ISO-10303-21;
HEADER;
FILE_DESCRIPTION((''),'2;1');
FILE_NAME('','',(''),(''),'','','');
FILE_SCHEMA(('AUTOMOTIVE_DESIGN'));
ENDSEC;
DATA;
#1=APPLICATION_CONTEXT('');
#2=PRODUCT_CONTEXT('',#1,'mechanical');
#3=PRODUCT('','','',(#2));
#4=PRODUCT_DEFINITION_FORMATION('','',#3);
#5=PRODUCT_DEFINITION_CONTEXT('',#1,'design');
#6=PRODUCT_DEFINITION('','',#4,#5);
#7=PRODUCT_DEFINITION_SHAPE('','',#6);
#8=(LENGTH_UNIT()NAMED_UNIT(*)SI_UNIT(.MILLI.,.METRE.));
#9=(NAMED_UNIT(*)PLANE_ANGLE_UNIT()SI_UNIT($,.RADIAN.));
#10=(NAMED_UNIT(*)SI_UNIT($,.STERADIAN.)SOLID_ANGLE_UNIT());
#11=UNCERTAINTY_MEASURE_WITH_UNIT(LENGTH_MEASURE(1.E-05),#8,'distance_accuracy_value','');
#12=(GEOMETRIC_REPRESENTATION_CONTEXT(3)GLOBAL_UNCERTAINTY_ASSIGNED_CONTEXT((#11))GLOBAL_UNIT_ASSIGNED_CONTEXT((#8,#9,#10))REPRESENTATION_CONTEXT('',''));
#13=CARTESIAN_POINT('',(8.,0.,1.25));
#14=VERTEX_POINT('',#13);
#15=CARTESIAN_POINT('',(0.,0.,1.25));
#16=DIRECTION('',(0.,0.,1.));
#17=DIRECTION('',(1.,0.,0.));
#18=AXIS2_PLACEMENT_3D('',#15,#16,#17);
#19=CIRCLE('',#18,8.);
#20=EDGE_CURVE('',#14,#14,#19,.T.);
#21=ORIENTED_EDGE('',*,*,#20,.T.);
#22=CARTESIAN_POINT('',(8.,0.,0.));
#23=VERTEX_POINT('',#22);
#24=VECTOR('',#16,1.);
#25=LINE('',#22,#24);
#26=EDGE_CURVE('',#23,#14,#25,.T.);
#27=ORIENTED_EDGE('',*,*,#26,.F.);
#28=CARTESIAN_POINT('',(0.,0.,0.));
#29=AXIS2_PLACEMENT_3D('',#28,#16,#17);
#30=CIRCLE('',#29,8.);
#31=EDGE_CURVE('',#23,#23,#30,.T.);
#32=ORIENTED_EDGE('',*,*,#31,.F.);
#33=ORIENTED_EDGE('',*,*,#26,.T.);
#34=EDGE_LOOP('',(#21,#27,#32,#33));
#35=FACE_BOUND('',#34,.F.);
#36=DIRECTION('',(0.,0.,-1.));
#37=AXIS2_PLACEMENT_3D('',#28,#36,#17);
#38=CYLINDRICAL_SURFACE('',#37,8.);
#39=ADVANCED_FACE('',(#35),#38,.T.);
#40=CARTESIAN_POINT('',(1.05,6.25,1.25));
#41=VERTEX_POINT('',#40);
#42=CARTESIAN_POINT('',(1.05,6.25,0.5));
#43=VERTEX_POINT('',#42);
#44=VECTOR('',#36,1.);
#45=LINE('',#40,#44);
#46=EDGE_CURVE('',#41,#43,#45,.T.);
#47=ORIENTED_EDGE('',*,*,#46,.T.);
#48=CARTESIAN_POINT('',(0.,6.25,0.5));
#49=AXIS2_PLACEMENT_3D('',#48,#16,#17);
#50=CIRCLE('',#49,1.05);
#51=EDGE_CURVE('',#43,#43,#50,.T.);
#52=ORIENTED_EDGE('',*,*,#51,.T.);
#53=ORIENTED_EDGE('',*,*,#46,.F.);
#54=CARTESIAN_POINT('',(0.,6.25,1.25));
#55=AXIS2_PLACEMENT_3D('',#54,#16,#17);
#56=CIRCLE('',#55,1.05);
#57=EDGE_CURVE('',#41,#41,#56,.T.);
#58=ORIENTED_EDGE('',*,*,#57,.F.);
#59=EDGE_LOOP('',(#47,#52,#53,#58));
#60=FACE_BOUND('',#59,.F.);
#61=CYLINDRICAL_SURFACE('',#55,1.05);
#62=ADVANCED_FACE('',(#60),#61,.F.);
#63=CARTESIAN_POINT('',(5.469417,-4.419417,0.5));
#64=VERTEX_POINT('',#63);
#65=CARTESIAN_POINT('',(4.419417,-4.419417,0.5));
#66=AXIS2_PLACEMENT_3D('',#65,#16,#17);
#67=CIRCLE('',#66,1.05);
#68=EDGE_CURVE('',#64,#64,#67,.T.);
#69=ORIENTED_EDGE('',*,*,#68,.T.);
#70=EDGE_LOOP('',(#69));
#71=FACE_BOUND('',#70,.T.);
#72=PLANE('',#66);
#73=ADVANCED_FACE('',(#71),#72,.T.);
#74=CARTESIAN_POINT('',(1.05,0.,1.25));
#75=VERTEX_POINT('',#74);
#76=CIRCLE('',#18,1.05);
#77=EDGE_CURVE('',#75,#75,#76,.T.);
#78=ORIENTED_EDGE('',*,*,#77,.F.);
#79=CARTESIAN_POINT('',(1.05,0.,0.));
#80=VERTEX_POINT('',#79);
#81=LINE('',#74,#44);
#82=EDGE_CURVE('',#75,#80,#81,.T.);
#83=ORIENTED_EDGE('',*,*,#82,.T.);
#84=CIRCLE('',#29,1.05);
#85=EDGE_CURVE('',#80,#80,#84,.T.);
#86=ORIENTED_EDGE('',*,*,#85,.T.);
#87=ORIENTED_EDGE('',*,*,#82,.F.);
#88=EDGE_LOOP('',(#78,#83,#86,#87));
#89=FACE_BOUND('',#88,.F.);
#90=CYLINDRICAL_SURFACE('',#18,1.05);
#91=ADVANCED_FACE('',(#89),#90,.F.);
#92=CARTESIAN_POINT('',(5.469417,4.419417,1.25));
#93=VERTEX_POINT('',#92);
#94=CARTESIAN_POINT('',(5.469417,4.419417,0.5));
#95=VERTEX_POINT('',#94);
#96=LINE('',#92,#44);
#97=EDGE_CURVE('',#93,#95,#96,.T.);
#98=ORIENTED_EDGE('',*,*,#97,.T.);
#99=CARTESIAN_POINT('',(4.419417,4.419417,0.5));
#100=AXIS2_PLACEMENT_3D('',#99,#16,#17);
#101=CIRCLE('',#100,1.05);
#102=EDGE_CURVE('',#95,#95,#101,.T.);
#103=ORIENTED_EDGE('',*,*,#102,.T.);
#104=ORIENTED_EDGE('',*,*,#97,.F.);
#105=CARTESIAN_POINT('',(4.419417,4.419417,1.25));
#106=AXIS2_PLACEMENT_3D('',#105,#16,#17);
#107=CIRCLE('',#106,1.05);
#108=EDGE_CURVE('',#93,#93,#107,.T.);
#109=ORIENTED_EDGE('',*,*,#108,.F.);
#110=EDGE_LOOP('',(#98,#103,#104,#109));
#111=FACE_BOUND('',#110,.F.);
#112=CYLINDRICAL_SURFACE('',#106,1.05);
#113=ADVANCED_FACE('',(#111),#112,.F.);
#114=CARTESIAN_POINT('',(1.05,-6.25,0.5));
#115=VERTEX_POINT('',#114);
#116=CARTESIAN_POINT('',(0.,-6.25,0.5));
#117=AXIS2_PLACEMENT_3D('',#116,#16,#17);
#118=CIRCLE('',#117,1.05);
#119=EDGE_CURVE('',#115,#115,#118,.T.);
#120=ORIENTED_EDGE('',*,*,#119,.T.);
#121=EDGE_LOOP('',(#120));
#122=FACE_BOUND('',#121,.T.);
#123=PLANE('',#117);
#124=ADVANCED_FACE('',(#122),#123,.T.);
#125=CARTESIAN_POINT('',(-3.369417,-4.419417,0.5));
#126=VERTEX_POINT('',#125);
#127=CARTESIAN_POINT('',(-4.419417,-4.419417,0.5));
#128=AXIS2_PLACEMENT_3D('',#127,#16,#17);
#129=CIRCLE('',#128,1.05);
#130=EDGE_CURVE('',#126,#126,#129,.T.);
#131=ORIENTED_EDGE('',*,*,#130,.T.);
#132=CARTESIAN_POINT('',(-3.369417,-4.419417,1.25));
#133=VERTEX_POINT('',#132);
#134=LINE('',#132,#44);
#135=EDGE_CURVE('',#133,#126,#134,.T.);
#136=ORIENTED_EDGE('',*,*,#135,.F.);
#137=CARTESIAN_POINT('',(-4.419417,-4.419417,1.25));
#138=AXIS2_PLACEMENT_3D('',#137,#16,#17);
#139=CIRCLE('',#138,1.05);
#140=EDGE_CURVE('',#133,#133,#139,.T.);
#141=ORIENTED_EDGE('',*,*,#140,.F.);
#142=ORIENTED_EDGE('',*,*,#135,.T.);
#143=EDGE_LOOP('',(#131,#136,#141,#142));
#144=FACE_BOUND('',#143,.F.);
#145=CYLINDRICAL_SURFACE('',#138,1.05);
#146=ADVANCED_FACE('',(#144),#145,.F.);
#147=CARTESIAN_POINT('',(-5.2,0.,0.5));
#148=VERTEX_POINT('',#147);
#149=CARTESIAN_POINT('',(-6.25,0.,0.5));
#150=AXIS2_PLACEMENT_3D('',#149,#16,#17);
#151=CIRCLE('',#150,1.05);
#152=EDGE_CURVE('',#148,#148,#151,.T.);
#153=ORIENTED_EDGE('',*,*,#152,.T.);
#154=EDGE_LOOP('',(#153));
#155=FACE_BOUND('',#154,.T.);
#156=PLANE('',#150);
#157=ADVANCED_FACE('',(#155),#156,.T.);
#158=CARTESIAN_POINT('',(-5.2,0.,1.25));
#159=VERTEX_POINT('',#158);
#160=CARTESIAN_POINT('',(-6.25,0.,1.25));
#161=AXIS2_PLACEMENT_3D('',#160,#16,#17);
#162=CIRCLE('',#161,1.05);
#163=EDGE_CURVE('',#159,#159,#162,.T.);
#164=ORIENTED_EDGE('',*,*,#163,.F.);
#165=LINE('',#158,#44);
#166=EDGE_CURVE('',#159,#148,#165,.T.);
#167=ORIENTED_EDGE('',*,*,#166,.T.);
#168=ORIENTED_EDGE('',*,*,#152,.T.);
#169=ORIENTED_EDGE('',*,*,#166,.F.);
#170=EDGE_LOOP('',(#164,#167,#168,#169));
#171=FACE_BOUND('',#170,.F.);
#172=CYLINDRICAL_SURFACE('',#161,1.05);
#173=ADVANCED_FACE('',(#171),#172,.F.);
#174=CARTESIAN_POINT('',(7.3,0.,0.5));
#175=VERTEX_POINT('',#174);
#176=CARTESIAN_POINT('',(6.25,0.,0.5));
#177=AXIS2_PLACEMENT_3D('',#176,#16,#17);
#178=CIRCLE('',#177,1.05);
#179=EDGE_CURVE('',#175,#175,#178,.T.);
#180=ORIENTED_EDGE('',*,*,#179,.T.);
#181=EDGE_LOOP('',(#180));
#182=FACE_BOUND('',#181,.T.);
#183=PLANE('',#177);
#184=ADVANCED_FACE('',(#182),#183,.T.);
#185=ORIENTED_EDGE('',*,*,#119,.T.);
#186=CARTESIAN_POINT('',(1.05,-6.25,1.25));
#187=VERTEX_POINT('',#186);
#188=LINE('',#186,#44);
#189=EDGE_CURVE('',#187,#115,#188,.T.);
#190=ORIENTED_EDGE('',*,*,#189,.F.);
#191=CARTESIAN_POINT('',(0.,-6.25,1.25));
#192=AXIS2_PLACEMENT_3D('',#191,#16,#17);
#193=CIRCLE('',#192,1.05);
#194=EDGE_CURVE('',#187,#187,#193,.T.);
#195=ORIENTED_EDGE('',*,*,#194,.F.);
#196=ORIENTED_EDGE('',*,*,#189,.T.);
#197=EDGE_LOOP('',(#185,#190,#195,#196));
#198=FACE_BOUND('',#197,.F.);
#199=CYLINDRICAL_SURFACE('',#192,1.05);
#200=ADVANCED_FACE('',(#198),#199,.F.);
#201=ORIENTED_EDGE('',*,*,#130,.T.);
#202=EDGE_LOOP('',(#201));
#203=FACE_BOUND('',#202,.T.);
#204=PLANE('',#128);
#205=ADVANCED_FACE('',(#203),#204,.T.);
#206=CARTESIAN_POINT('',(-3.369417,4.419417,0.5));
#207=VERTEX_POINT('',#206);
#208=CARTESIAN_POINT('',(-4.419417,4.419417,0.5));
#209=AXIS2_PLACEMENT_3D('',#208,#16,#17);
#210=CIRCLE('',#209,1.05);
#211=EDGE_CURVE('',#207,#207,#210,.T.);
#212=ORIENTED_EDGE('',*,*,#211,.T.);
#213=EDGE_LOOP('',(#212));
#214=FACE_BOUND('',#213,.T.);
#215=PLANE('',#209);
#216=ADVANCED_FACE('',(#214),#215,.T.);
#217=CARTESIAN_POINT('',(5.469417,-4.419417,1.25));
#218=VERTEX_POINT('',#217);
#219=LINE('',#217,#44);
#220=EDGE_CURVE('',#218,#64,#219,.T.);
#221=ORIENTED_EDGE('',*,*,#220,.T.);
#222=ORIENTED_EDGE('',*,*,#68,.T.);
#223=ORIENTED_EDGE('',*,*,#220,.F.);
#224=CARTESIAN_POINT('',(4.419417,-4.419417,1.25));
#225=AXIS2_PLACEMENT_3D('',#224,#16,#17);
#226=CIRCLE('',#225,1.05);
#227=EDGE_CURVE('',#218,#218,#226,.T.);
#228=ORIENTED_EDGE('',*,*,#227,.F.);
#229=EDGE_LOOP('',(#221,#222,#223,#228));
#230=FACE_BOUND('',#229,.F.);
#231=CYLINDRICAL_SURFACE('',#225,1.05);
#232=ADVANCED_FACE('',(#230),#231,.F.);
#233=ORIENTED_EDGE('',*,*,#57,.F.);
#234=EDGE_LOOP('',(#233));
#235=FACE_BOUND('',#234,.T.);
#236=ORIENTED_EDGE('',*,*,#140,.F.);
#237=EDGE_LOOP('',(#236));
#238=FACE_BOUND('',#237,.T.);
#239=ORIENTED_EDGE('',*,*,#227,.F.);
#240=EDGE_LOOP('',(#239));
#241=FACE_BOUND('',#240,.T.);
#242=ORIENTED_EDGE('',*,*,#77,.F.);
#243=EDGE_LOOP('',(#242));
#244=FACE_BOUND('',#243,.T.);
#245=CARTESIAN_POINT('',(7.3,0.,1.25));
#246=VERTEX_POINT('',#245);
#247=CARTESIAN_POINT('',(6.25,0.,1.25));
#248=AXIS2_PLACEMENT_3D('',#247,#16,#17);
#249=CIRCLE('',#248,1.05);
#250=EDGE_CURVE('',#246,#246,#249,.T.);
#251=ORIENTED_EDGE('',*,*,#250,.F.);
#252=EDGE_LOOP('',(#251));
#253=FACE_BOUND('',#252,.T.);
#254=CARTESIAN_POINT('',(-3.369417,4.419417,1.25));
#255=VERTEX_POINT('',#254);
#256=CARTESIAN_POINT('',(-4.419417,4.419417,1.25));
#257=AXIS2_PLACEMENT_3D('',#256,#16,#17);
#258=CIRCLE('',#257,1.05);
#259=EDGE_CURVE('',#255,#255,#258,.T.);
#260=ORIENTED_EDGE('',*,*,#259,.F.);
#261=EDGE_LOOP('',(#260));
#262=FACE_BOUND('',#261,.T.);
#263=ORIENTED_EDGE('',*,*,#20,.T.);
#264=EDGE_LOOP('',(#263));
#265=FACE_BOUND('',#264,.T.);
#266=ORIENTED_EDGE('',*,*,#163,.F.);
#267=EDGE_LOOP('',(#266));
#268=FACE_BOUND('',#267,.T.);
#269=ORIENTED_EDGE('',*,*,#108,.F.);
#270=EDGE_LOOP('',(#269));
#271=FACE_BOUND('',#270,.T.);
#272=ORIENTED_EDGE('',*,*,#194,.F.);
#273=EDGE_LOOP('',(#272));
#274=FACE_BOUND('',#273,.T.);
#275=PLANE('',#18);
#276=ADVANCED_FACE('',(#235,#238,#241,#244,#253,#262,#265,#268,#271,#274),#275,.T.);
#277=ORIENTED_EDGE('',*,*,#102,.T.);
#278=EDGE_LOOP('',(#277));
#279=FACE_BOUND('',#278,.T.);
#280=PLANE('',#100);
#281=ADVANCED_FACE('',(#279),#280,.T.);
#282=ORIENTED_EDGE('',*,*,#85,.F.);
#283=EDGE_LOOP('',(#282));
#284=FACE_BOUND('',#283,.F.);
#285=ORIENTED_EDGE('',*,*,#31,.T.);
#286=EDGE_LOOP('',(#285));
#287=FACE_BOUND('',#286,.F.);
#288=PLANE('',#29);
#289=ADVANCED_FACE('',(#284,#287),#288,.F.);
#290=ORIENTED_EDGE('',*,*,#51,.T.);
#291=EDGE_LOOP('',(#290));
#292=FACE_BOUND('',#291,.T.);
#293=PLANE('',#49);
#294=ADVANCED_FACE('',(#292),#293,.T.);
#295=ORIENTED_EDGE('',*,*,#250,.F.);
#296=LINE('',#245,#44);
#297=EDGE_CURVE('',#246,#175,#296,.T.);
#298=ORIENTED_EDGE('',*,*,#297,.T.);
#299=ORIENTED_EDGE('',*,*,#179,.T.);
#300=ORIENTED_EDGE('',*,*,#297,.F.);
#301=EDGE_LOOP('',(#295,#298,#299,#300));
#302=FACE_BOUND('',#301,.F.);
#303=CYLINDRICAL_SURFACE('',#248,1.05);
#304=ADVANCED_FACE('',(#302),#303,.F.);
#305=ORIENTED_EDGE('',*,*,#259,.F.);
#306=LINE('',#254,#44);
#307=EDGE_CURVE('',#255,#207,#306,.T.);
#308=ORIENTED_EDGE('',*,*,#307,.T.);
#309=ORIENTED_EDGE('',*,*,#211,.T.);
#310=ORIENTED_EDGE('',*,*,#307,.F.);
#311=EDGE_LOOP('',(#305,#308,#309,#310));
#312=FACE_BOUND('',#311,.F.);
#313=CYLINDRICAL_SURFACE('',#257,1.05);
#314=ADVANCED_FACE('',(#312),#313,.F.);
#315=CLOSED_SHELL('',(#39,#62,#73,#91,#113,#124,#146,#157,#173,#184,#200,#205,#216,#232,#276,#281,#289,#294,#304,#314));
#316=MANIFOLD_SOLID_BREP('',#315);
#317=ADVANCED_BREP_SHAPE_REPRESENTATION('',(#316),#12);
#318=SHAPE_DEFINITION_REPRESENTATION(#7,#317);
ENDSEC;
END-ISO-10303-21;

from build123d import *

# Parameters (mm, degrees)
F0_R     = 8
F1_DEPTH = 1.25
F2_R     = 1.05
F3_DEPTH = 25
F4_R     = 1.05
F5_DEPTH = 0.75


with BuildPart() as f1:
    # F0 (on Top) → F1 (new body)
    with BuildSketch(Plane.XY):
        Circle(F0_R)
    extrude(amount=F1_DEPTH)

    # F2 (on face) → F3 (cut)
    with BuildSketch(Plane.XY.offset(1.25)):
        Circle(F2_R)
    extrude(amount=-F3_DEPTH, mode=Mode.SUBTRACT)

    # F4 (on face) → F5 (cut)
    with BuildSketch(Plane.XY.offset(1.25)):
        with Locations((0, 6.25)):
            Circle(F4_R)
        with Locations((-4.419417, 4.419417)):
            Circle(F4_R)
        with Locations((-6.25, 0)):
            Circle(F4_R)
        with Locations((-4.419417, -4.419417)):
            Circle(F4_R)
        with Locations((0, -6.25)):
            Circle(F4_R)
        with Locations((4.419417, -4.419417)):
            Circle(F4_R)
        with Locations((6.25, 0)):
            Circle(F4_R)
        with Locations((4.419417, 4.419417)):
            Circle(F4_R)
    extrude(amount=-F5_DEPTH, mode=Mode.SUBTRACT)


solid = f1.part
